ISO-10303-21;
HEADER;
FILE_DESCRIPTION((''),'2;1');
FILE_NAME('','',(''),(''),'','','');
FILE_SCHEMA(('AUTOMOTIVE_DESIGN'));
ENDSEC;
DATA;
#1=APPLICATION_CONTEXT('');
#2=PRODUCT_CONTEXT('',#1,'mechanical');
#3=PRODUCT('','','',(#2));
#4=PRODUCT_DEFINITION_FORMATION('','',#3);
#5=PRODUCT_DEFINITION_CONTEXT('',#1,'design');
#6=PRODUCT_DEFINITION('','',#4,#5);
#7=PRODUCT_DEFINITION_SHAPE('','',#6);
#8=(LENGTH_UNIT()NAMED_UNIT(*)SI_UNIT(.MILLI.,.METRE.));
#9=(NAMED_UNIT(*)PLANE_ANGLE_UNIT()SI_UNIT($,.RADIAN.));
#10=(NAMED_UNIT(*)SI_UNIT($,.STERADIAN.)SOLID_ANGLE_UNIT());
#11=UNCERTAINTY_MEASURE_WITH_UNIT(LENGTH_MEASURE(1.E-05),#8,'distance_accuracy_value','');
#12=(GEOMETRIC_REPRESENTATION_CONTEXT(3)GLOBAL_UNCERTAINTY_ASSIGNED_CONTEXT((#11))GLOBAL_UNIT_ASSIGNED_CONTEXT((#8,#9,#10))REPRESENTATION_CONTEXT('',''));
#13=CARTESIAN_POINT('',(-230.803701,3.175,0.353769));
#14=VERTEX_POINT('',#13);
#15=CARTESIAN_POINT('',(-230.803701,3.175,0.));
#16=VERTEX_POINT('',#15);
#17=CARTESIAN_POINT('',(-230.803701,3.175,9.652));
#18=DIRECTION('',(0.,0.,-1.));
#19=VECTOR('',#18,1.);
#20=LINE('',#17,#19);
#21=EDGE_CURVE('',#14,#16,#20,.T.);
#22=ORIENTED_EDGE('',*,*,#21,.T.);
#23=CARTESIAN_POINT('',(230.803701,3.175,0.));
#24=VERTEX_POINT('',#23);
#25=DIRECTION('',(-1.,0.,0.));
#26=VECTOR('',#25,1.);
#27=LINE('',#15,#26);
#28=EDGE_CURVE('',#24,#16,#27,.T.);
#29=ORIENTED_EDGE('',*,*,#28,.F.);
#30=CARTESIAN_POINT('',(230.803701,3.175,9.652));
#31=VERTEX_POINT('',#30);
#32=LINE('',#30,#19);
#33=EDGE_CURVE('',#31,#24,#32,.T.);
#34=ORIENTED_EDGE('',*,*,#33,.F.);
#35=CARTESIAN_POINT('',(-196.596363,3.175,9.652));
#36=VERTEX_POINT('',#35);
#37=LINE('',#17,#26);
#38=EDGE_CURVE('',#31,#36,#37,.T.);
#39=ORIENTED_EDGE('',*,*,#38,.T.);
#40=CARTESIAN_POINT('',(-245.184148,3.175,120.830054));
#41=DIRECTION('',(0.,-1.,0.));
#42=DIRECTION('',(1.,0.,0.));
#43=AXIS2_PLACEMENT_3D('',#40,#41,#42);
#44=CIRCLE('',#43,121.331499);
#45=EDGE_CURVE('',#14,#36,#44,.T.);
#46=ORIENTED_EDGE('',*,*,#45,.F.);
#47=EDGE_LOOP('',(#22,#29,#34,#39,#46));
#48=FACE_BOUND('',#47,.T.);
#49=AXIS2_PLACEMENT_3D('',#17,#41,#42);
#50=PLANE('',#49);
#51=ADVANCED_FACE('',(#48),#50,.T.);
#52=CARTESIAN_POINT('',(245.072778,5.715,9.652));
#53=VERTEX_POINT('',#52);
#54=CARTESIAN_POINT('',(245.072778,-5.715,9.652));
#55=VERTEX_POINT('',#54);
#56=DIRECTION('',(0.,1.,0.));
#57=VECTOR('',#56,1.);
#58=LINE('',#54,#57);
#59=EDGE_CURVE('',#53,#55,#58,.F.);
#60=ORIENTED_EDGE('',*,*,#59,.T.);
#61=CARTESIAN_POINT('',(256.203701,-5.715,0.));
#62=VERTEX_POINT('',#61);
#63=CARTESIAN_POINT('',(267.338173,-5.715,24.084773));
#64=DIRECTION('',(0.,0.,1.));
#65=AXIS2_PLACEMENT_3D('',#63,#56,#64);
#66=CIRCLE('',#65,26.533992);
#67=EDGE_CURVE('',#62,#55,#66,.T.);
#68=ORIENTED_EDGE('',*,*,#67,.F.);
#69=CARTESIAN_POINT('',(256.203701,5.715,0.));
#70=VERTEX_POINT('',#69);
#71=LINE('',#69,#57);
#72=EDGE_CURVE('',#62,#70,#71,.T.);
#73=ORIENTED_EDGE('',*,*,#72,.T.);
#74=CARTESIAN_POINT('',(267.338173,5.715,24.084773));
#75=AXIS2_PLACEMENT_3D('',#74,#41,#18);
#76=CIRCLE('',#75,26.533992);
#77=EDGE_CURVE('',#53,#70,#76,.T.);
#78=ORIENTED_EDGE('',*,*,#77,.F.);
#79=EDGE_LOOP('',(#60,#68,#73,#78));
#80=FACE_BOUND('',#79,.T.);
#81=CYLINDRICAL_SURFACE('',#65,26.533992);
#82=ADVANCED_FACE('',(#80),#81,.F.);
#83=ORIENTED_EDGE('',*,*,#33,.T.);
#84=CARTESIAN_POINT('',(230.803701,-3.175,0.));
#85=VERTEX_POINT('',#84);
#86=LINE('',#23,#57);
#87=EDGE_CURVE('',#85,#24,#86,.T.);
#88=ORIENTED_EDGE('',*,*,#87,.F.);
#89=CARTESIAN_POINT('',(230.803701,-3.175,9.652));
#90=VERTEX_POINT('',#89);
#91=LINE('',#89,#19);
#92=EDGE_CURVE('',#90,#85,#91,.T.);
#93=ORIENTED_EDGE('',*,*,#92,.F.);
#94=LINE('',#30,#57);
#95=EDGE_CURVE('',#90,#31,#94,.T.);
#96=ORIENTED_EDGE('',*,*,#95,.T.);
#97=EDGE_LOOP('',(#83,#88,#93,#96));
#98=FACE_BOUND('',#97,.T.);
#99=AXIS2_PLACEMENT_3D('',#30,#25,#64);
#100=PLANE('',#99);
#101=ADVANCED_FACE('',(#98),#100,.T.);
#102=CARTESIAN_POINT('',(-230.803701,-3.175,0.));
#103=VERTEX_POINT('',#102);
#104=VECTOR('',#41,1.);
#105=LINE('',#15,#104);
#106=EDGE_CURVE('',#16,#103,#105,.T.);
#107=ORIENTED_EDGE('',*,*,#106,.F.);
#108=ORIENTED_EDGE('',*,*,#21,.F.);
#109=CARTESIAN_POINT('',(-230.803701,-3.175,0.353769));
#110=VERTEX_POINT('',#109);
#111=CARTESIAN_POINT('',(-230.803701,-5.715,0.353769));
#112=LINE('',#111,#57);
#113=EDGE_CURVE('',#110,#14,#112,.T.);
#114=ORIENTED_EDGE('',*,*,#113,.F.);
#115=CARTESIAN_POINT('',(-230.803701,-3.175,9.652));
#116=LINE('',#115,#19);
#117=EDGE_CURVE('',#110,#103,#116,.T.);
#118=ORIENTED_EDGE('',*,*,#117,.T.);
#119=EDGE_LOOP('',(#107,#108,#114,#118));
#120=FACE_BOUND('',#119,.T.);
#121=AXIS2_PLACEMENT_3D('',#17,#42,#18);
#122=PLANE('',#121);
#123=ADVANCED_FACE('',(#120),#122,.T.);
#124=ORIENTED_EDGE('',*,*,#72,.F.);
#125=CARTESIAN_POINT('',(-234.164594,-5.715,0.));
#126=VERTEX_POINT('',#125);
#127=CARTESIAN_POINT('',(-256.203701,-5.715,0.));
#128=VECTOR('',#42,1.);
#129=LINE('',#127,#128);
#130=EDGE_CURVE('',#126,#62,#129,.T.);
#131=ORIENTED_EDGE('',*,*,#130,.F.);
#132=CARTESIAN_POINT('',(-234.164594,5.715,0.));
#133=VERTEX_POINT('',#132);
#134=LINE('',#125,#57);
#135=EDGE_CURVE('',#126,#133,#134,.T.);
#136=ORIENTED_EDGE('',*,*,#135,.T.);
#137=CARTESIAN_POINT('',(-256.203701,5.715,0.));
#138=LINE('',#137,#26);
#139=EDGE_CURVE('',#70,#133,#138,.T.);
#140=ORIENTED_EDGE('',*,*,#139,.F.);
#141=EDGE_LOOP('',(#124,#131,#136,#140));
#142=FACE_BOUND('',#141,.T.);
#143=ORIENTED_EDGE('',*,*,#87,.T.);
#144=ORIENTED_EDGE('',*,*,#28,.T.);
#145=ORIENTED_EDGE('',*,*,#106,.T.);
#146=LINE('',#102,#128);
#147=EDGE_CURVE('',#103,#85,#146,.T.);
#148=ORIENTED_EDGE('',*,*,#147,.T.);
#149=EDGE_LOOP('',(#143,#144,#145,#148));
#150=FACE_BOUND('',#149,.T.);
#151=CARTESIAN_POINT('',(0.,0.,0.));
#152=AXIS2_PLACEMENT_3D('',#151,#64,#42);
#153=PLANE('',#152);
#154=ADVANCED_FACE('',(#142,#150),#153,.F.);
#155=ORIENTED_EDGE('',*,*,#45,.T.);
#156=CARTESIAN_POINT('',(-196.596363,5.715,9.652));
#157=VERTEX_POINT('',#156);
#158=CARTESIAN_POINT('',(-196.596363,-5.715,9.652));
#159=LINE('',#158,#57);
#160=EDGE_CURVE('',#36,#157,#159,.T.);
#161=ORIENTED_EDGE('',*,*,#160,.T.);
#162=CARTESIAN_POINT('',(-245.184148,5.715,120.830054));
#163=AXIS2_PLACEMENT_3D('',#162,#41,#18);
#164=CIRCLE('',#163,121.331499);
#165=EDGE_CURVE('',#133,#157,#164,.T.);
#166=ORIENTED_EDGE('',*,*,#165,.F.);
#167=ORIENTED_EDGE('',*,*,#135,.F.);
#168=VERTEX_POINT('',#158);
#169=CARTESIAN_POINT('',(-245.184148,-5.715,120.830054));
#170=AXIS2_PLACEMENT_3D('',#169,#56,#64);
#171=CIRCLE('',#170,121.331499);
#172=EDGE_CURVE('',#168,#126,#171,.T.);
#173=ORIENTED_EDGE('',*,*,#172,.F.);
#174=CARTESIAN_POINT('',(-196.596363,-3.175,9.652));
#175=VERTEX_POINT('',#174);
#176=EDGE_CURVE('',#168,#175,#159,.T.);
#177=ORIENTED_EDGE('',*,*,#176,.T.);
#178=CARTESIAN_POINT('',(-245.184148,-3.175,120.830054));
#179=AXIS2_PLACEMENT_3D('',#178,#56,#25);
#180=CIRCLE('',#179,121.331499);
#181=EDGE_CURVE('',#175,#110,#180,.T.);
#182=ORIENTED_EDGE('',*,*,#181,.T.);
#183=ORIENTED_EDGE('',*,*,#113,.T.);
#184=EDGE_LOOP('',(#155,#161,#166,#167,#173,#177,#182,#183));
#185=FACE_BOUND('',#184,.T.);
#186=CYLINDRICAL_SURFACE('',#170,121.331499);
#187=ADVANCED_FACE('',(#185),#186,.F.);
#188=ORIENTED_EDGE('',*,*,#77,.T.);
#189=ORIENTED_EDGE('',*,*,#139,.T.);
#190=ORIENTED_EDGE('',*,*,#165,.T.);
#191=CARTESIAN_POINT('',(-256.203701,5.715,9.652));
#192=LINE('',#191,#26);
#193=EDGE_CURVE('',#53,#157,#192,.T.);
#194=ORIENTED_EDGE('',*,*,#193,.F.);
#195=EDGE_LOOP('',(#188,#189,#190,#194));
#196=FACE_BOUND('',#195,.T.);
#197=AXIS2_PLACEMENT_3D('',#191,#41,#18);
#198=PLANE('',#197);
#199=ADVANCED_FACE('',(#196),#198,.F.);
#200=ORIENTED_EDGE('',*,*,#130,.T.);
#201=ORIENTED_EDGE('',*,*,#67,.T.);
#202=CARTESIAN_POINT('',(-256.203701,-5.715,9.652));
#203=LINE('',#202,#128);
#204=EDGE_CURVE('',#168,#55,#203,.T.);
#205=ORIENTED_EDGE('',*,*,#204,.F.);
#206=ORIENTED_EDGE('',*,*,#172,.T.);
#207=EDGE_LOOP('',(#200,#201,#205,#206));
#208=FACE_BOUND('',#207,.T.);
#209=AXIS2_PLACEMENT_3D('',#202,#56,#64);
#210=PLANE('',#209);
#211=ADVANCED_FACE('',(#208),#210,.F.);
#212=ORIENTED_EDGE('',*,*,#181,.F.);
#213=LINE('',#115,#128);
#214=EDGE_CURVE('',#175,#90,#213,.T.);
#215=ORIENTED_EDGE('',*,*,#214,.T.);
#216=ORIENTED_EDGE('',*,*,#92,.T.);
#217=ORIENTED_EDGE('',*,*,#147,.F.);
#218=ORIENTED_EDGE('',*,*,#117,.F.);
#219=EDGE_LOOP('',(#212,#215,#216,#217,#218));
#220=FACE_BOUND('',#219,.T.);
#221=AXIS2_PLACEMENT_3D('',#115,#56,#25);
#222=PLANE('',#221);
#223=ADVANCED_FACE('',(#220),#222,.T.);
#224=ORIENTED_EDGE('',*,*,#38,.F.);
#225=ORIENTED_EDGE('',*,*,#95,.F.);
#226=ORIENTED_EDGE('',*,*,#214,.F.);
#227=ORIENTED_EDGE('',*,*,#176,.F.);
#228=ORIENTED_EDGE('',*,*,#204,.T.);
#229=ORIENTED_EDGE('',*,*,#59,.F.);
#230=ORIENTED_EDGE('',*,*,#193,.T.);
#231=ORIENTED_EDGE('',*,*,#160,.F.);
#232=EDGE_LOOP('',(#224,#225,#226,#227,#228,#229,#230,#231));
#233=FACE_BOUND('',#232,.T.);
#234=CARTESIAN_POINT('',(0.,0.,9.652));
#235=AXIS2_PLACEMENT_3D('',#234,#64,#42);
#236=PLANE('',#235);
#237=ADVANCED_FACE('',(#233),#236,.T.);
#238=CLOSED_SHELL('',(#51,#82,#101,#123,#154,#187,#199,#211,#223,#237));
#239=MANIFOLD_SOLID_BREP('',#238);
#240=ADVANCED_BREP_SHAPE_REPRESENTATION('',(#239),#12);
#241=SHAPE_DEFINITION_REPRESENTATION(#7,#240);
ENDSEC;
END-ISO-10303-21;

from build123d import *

# Parameters (mm, degrees)
SKETCH1_W               = 512.407402158
SKETCH1_H               = 11.43
SKETCH1_W_2             = 461.607402158
SKETCH1_H_2             = 6.35
BOSS_EXTRUDE1_DEPTH     = 9.652
CUT_EXTRUDE1_DEPTH      = 257.640102966
CUT_EXTRUDE1_DEPTH_BACK = 257.640102966
SKETCH2_R               = 121.331498574
SKETCH2_R_2             = 26.533992322


with BuildPart() as part:
    # Sketch1 → Boss-Extrude1 (new body)
    with BuildSketch(Plane.XY):
        Rectangle(SKETCH1_W, SKETCH1_H)
        Rectangle(SKETCH1_W_2, SKETCH1_H_2, mode=Mode.SUBTRACT)
    extrude(amount=BOSS_EXTRUDE1_DEPTH)

    # Sketch2 → Cut-Extrude1 (cut, two sides: drawn at the far end of the back side and taken through both)
    with BuildSketch(Plane(origin=(0, 5.715, 0), x_dir=(1, 0, 0), z_dir=(0, 1, 0)).offset(-CUT_EXTRUDE1_DEPTH_BACK)):
        with Locations((-245.184147657, -120.830054161)):
            Circle(SKETCH2_R)
        with Locations((267.338172934, -24.084772887)):
            Circle(SKETCH2_R_2)
    extrude(amount=CUT_EXTRUDE1_DEPTH + CUT_EXTRUDE1_DEPTH_BACK, mode=Mode.SUBTRACT)


solid = part.part
